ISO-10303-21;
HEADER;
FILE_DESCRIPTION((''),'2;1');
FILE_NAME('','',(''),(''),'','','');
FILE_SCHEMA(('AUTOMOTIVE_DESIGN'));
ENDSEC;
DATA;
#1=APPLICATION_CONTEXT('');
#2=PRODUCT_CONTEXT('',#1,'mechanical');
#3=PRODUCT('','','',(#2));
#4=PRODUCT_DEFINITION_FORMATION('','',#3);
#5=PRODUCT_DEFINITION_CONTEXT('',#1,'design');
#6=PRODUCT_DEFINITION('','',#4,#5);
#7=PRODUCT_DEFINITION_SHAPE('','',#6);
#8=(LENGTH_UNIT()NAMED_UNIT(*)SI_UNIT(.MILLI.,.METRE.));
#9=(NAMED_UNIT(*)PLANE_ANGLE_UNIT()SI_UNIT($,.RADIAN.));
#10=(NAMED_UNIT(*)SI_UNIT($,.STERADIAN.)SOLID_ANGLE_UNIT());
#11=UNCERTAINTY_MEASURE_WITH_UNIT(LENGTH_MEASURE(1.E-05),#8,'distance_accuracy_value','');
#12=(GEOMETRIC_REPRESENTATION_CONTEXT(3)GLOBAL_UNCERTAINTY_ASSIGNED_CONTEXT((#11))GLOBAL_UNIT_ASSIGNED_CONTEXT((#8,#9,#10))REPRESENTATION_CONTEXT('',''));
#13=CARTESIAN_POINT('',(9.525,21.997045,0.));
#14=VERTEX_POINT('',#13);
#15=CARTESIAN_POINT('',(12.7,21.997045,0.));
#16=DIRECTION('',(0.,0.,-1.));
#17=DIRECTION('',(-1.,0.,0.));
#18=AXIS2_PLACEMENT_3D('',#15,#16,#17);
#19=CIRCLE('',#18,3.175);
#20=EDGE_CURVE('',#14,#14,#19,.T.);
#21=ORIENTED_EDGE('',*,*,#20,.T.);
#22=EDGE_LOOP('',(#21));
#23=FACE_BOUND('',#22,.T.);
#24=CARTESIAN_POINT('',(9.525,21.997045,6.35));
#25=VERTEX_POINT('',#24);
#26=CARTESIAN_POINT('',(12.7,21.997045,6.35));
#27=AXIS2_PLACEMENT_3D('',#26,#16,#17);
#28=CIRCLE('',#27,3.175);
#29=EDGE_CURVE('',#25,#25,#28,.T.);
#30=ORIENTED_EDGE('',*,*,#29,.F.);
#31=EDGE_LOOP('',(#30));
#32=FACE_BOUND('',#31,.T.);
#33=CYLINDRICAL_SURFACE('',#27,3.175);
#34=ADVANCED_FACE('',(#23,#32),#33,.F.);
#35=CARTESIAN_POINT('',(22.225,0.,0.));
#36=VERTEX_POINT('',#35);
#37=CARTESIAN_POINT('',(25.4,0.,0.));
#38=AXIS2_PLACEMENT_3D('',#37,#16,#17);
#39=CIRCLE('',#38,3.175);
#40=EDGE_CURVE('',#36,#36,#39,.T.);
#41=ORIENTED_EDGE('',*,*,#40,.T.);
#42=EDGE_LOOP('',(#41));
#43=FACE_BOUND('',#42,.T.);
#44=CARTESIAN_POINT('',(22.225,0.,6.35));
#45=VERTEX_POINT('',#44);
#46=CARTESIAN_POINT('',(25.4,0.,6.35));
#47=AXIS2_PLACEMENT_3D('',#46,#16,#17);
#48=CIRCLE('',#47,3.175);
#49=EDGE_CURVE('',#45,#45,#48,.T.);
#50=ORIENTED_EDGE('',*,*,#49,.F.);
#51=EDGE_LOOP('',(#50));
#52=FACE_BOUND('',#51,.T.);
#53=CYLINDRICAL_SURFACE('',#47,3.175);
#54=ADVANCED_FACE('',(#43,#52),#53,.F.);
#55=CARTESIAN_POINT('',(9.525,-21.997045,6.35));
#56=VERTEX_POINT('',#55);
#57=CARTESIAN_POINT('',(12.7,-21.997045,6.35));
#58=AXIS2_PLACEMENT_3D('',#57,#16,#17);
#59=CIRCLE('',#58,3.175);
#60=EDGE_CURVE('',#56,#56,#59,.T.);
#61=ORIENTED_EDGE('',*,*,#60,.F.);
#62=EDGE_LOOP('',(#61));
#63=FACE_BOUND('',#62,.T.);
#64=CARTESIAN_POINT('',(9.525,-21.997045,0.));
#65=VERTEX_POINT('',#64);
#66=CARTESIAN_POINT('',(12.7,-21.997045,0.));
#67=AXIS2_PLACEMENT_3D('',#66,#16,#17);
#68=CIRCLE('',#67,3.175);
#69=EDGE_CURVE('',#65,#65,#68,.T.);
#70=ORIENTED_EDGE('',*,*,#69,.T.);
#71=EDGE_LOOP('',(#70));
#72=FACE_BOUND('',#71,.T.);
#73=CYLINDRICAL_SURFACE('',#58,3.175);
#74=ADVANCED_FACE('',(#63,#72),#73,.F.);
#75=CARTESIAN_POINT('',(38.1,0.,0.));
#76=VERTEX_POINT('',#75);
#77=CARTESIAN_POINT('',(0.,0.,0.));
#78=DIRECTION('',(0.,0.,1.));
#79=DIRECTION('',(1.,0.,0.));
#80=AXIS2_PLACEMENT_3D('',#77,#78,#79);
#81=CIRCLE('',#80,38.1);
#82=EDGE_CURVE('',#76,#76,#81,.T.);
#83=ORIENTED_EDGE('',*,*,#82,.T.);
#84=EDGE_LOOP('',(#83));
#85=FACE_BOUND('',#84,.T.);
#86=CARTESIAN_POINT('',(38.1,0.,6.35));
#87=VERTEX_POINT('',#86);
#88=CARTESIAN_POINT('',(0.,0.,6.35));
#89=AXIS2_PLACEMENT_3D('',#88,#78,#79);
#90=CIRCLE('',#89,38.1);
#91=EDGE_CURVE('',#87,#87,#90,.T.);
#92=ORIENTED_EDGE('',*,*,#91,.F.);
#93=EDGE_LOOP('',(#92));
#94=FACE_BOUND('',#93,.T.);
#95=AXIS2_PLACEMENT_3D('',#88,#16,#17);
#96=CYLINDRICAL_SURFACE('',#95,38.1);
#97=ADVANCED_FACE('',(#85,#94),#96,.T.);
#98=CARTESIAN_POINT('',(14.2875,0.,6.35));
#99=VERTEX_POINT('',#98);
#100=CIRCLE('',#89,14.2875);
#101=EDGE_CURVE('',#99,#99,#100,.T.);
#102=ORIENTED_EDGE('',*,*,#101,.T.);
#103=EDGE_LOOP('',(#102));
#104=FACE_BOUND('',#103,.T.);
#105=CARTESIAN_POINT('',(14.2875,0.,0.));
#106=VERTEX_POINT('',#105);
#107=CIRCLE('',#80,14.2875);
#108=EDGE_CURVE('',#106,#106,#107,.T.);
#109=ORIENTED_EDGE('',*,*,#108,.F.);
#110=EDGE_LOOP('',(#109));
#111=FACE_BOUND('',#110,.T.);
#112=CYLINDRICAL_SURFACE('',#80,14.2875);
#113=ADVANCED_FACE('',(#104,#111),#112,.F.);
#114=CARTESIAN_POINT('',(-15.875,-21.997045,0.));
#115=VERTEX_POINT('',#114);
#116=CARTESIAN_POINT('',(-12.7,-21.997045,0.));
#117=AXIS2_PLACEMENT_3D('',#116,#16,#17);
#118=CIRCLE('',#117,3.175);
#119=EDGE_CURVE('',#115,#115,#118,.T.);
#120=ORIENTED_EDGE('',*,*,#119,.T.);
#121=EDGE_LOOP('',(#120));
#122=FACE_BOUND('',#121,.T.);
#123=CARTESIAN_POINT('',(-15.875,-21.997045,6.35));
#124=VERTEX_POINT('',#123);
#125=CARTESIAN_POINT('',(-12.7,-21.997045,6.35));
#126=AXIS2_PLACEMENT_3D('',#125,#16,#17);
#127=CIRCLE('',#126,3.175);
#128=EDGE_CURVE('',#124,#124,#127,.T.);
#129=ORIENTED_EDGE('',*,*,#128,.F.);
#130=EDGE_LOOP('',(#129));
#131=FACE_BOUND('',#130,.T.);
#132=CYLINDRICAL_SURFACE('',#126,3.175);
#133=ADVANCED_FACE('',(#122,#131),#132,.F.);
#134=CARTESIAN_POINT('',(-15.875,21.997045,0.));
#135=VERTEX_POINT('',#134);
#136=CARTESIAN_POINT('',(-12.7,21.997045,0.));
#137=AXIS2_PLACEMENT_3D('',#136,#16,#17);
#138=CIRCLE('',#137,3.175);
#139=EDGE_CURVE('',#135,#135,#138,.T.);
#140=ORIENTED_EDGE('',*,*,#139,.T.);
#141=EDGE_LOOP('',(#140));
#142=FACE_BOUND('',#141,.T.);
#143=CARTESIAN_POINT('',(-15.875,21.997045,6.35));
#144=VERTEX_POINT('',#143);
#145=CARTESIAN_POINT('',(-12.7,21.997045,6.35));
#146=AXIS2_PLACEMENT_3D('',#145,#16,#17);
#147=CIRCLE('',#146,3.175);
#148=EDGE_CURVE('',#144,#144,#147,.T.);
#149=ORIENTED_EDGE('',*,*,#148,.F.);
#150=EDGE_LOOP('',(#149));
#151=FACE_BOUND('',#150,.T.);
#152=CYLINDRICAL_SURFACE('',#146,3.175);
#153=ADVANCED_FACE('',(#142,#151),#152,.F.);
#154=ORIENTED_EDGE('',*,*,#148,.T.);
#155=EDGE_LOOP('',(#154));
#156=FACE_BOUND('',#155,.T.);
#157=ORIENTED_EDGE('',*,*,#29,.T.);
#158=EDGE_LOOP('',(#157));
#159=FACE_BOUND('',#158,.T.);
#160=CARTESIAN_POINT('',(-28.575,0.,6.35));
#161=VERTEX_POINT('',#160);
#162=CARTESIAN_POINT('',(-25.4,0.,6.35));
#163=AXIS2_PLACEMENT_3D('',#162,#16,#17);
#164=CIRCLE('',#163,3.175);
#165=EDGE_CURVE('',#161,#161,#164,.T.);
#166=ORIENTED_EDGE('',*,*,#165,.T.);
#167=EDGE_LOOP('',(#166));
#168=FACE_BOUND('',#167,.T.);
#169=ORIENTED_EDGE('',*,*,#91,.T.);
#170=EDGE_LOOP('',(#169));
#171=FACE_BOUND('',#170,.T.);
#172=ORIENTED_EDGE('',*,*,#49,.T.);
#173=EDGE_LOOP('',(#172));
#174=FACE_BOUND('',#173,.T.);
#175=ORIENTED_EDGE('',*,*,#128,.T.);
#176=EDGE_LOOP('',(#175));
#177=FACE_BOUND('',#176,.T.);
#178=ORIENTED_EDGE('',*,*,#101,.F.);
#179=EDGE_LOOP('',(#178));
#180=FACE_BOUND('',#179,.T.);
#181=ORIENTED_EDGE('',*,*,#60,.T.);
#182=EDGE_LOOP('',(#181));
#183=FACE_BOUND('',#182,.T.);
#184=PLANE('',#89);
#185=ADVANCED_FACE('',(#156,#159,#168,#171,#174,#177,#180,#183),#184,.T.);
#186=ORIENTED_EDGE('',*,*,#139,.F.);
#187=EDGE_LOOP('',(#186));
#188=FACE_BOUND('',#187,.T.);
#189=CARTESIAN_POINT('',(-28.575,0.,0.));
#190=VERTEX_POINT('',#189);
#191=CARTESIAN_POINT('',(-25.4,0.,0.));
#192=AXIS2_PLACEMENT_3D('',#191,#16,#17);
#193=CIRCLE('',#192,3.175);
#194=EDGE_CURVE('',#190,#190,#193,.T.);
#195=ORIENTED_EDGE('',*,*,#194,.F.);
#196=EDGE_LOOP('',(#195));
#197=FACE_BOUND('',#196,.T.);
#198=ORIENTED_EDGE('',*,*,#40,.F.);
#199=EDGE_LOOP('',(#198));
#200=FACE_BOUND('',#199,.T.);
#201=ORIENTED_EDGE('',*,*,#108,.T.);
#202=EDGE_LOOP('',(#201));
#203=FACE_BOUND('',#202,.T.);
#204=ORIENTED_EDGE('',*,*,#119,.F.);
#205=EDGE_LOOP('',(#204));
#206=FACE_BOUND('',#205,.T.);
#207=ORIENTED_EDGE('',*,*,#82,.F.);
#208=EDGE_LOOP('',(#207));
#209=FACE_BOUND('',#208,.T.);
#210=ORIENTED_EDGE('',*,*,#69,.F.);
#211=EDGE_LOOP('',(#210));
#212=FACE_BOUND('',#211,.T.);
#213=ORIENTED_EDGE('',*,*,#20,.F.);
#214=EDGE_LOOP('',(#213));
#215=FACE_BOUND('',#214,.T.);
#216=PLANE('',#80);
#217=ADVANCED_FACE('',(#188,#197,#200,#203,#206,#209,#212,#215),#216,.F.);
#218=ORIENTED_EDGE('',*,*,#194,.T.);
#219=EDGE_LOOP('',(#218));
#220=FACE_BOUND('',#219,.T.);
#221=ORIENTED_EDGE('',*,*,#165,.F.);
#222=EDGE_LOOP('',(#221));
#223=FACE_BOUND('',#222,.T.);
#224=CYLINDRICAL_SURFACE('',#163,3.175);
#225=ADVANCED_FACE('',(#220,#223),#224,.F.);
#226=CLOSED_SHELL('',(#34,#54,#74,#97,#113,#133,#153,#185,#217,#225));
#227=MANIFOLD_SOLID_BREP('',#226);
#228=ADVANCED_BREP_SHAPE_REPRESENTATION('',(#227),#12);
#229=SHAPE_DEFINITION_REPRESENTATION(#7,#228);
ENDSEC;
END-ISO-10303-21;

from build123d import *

# Parameters (mm, degrees)
SKETCH1_R           = 38.1
BOSS_EXTRUDE1_DEPTH = 6.35
SKETCH4_R           = 3.175
CUT_EXTRUDE2_DEPTH  = 55.254423783
SKETCH2_R           = 14.2875
CUT_EXTRUDE3_DEPTH  = 55.254423783


with BuildPart() as part:
    # Sketch1 → Boss-Extrude1 (new body)
    with BuildSketch(Plane.XY):
        Circle(SKETCH1_R)
    extrude(amount=BOSS_EXTRUDE1_DEPTH)

    # Sketch4 → Cut-Extrude2 (cut, through all)
    with BuildSketch(Plane(origin=(0, 0, 0), x_dir=(-1, 0, 0), z_dir=(0, 0, -1))):
        with Locations((-25.4, 0)):
            Circle(SKETCH4_R)
        with Locations((-12.7, 21.997045256)):
            Circle(SKETCH4_R)
        with Locations((12.7, 21.997045256)):
            Circle(SKETCH4_R)
        with Locations((25.4, 0)):
            Circle(SKETCH4_R)
        with Locations((12.7, -21.997045256)):
            Circle(SKETCH4_R)
        with Locations((-12.7, -21.997045256)):
            Circle(SKETCH4_R)
    extrude(amount=-CUT_EXTRUDE2_DEPTH, mode=Mode.SUBTRACT)

    # Sketch2 → Cut-Extrude3 (cut, through all)
    with BuildSketch(Plane.XY.offset(6.35)):
        Circle(SKETCH2_R)
    extrude(amount=-CUT_EXTRUDE3_DEPTH, mode=Mode.SUBTRACT)


solid = part.part
